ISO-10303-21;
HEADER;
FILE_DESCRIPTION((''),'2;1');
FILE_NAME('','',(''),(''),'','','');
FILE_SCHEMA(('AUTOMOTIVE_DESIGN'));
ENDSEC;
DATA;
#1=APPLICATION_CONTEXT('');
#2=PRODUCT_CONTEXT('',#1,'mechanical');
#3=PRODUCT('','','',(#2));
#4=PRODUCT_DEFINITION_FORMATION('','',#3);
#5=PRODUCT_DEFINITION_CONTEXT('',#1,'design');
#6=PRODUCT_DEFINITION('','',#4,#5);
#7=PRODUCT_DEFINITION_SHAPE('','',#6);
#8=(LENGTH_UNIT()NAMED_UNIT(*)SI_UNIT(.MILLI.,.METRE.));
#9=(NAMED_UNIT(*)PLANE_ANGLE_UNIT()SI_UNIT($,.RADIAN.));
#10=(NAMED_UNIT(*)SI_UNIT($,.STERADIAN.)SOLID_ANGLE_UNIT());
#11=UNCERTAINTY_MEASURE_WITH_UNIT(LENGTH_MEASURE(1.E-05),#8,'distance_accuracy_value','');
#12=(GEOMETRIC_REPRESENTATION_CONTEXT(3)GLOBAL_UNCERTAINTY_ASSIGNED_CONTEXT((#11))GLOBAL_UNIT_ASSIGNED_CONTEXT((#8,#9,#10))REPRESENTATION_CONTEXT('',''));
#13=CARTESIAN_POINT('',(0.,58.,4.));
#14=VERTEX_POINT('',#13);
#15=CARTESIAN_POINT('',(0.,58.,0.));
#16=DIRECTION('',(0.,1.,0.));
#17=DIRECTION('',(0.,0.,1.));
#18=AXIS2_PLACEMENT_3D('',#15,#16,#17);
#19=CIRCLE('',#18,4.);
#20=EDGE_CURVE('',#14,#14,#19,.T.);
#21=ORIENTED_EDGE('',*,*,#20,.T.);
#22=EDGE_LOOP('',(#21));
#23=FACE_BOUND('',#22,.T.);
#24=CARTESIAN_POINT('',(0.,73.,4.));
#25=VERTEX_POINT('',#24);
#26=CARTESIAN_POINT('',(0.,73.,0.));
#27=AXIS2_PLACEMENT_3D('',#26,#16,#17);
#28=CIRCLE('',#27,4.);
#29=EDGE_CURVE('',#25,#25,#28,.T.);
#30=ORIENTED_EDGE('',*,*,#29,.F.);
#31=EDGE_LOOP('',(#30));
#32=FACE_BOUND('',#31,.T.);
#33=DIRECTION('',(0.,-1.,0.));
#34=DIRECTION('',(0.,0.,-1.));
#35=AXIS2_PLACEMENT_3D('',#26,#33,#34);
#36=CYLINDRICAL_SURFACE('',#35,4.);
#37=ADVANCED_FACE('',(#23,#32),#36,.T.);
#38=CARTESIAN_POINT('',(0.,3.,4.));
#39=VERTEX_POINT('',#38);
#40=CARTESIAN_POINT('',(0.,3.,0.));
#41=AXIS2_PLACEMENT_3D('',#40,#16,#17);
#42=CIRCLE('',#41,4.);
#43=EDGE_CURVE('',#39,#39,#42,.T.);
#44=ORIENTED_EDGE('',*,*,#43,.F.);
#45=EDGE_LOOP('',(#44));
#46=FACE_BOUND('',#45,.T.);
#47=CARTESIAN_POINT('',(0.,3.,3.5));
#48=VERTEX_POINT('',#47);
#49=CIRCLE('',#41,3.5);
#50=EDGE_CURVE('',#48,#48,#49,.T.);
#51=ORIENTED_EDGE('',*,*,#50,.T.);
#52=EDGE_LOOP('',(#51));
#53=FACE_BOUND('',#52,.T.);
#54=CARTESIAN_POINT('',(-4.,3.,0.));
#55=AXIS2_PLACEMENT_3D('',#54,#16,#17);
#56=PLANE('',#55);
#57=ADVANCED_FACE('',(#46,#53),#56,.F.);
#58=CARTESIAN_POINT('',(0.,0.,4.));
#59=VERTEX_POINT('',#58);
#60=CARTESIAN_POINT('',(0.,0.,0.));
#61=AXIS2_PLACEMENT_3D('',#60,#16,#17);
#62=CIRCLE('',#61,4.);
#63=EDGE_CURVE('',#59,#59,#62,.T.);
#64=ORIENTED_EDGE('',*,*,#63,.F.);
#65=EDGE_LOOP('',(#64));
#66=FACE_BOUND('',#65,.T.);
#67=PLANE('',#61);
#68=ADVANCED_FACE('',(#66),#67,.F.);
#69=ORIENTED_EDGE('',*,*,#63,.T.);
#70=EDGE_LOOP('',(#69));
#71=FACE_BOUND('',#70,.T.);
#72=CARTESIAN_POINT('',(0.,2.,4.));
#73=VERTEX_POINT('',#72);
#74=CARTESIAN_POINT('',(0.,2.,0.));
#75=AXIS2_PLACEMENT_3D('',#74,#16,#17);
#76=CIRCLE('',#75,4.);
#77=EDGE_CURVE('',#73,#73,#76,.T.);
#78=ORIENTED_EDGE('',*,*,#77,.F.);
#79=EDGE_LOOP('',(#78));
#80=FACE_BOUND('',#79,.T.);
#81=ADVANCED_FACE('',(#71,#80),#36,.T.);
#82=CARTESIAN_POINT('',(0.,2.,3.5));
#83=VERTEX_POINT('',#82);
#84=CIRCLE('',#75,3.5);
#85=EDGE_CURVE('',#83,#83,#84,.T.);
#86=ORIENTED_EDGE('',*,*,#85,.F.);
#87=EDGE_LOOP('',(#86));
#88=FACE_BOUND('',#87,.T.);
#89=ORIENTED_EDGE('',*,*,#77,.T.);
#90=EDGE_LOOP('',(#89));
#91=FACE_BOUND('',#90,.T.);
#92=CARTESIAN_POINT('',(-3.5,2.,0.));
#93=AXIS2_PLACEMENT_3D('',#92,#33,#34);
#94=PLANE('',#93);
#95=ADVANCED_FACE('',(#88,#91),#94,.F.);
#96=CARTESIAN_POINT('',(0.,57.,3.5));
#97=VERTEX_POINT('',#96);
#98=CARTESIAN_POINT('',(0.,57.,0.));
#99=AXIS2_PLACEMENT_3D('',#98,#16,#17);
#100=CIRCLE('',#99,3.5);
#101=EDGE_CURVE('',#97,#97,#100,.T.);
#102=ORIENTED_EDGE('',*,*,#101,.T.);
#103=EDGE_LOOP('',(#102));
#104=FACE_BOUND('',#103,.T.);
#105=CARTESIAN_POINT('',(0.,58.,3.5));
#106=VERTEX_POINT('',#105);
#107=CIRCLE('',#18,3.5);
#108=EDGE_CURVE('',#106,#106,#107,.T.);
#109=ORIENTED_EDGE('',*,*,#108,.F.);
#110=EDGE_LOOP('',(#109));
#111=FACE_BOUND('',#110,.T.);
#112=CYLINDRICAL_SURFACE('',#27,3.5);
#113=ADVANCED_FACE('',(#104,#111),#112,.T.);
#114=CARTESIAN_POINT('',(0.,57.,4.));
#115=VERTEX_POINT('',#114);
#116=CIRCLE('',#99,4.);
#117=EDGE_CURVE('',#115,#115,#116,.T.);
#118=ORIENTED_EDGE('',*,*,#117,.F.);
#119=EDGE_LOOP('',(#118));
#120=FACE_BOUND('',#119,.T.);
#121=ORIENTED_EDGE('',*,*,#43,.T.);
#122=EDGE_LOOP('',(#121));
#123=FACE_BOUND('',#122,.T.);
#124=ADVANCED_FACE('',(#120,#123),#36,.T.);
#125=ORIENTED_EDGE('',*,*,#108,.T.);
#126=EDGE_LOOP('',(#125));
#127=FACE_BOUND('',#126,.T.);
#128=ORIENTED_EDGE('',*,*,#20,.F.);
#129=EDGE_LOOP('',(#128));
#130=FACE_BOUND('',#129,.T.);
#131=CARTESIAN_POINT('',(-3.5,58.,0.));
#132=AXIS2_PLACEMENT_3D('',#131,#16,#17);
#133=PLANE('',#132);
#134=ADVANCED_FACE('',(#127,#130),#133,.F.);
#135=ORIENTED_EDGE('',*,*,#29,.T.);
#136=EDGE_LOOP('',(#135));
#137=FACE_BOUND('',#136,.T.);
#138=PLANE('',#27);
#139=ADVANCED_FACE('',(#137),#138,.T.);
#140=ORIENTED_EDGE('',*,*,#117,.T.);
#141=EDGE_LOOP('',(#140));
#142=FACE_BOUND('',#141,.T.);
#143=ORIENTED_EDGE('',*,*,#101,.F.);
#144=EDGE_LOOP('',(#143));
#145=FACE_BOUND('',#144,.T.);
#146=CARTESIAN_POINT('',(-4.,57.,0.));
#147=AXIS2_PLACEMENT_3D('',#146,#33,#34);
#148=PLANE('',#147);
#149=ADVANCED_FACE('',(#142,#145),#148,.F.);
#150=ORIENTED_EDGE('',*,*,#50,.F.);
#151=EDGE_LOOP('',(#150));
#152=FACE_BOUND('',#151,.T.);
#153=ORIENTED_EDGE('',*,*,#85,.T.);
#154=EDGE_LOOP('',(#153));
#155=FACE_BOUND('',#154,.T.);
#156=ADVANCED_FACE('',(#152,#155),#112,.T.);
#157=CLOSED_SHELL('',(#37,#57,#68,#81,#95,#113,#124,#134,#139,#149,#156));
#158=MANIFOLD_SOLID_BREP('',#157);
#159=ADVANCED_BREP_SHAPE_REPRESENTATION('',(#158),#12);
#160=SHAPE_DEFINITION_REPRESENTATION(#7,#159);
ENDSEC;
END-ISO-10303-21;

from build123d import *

# Parameters (mm, degrees)
SKETCH1_R           = 4
BOSS_EXTRUDE1_DEPTH = 73
SKETCH2_W           = 0.5
SKETCH2_H           = 1


with BuildPart() as part:
    # Sketch1 → Boss-Extrude1 (new body)
    with BuildSketch(Plane(origin=(0, 0, 0), x_dir=(1, 0, 0), z_dir=(0, 1, 0))):
        Circle(SKETCH1_R)
    extrude(amount=BOSS_EXTRUDE1_DEPTH)

    # Sketch2 → Cut-Revolve1 (revolve, cut)
    with BuildSketch(Plane.XY):
        with Locations((-3.75, 57.5)):
            Rectangle(SKETCH2_W, SKETCH2_H)
        with Locations((-3.75, 2.5)):
            Rectangle(SKETCH2_W, SKETCH2_H)
    revolve(axis=Axis((0, 73, 0), (0, -1, 0)), mode=Mode.SUBTRACT)


solid = part.part
